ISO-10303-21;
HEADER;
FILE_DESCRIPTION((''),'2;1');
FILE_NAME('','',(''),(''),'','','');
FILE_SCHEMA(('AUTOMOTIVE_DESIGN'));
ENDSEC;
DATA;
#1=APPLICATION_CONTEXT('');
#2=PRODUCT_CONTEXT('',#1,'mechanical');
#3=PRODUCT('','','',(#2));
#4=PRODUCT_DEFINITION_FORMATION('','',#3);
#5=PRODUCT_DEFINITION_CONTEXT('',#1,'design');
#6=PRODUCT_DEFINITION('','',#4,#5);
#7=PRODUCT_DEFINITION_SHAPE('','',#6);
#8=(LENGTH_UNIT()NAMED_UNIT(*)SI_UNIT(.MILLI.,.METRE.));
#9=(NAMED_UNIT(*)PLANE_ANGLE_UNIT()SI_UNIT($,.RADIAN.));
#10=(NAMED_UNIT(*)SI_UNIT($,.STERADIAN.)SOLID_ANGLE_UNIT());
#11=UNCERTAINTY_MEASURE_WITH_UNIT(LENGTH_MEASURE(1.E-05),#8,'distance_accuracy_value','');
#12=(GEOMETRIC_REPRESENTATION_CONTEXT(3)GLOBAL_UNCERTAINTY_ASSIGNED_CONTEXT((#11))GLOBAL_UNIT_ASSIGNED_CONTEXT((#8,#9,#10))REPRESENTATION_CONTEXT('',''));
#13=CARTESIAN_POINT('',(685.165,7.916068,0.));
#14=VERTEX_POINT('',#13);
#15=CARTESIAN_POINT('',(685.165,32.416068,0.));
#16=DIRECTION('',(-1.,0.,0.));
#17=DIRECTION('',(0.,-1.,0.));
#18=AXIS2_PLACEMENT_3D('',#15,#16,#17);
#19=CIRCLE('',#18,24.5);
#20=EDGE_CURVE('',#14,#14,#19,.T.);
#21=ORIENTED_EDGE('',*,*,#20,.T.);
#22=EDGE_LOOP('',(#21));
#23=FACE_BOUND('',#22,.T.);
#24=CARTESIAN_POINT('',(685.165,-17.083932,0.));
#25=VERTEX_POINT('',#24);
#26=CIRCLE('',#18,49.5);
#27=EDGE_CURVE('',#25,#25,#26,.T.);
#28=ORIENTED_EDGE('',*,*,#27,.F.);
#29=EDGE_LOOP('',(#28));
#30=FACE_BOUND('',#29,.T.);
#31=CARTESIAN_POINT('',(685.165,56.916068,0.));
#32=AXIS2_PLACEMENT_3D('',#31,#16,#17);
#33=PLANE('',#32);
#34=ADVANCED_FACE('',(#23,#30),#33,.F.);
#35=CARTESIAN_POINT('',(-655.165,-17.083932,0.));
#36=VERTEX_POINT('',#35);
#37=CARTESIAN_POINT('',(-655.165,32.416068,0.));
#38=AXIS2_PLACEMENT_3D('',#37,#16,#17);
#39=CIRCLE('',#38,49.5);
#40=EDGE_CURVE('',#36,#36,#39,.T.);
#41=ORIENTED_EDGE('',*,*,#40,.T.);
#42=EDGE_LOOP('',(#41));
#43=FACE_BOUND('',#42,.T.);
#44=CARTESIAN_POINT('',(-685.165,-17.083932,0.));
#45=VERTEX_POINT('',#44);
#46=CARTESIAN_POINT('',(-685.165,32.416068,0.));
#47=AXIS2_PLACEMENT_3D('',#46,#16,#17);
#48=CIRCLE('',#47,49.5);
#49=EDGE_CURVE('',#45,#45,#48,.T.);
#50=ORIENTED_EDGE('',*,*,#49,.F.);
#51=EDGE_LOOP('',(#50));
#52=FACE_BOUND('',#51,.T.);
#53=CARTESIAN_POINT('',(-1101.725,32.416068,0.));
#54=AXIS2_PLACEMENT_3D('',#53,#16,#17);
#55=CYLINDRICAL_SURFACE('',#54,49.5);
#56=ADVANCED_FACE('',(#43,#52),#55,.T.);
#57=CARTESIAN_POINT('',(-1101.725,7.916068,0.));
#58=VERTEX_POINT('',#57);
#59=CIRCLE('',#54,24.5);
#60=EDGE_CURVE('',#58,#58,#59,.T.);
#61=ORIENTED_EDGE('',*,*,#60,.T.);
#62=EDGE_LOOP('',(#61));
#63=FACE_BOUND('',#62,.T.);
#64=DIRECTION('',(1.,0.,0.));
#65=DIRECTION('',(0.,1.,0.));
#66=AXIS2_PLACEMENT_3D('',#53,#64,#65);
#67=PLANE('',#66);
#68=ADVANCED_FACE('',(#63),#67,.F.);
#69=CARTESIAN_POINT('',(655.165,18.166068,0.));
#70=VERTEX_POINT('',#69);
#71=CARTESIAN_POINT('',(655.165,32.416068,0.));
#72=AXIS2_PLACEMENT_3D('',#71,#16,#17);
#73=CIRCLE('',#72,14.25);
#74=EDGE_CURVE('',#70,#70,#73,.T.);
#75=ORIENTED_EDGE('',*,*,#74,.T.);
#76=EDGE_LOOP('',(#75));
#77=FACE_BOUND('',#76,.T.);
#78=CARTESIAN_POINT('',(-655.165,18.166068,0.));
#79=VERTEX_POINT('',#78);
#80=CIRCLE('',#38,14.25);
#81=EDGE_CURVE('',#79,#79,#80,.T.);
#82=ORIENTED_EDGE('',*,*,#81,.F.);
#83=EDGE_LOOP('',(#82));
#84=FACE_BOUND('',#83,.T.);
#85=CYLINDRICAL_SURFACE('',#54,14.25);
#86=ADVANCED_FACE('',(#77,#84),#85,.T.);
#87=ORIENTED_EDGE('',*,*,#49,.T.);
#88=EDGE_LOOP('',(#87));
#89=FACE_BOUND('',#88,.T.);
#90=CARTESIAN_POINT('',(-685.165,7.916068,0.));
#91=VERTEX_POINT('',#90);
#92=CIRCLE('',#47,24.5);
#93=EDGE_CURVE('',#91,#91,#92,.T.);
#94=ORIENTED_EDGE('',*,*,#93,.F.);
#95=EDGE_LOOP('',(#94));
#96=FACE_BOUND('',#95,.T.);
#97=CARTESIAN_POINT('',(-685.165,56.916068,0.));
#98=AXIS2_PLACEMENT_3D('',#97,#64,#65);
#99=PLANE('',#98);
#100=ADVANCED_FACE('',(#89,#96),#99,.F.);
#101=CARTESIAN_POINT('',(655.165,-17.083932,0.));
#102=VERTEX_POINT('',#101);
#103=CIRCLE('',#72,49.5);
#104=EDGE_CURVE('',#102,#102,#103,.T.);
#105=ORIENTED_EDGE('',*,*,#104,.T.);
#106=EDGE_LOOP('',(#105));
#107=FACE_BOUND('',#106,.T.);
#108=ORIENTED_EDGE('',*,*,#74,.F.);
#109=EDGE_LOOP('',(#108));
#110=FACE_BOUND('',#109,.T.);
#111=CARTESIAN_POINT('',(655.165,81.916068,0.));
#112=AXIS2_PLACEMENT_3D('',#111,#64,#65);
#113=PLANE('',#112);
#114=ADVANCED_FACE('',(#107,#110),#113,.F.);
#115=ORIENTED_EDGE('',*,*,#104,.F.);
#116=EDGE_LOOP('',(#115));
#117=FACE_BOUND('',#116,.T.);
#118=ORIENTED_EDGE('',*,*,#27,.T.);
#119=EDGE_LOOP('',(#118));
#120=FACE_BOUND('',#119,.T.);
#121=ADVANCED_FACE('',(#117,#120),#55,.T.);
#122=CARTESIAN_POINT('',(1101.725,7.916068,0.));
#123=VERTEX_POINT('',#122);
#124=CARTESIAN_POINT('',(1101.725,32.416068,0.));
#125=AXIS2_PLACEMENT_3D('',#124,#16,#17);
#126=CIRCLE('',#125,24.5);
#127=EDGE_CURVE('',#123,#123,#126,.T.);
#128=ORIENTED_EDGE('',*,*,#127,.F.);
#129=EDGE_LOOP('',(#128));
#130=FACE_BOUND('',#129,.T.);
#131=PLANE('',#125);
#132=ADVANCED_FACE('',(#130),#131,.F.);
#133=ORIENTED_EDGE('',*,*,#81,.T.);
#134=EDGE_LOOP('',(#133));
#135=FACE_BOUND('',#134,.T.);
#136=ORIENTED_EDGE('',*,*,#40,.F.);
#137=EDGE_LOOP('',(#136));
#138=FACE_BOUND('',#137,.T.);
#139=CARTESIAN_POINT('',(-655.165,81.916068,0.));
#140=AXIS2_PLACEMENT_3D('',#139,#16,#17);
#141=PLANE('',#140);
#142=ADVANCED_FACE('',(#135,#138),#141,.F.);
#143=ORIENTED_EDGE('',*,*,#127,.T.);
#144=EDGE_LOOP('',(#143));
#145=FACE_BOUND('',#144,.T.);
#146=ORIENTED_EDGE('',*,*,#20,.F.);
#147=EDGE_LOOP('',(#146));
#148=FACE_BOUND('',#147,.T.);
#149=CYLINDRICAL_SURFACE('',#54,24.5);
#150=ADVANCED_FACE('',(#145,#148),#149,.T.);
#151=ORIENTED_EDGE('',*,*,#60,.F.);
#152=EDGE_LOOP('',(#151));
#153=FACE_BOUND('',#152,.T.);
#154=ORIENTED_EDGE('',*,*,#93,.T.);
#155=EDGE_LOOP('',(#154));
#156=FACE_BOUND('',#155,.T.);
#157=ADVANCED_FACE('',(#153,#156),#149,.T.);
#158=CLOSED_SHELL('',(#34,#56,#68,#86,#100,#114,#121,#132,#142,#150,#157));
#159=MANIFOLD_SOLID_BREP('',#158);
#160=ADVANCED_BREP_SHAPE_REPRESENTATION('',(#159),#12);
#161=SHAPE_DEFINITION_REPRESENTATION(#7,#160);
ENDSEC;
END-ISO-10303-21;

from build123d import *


with BuildPart() as part:
    # Sketch1 → Revolve1 (revolve)
    with BuildSketch(Plane.XY, mode=Mode.PRIVATE) as revolve1_sk:
        Polygon((1101.725, 32.41606814), (1101.725, 56.91606814), (685.165, 56.91606814), (685.165, 81.91606814), (655.165, 81.91606814), (655.165, 46.66606814), (-655.165, 46.66606814), (-655.165, 81.91606814), (-685.165, 81.91606814), (-685.165, 56.91606814), (-1101.725, 56.91606814), (-1101.725, 32.41606814), align=None)
    revolve(revolve1_sk.sketch.rotate(Axis((-1101.725, 32.41606814, 0), (1, 0, 0)), 180), axis=Axis((-1101.725, 32.41606814, 0), (1, 0, 0)))


solid = part.part
